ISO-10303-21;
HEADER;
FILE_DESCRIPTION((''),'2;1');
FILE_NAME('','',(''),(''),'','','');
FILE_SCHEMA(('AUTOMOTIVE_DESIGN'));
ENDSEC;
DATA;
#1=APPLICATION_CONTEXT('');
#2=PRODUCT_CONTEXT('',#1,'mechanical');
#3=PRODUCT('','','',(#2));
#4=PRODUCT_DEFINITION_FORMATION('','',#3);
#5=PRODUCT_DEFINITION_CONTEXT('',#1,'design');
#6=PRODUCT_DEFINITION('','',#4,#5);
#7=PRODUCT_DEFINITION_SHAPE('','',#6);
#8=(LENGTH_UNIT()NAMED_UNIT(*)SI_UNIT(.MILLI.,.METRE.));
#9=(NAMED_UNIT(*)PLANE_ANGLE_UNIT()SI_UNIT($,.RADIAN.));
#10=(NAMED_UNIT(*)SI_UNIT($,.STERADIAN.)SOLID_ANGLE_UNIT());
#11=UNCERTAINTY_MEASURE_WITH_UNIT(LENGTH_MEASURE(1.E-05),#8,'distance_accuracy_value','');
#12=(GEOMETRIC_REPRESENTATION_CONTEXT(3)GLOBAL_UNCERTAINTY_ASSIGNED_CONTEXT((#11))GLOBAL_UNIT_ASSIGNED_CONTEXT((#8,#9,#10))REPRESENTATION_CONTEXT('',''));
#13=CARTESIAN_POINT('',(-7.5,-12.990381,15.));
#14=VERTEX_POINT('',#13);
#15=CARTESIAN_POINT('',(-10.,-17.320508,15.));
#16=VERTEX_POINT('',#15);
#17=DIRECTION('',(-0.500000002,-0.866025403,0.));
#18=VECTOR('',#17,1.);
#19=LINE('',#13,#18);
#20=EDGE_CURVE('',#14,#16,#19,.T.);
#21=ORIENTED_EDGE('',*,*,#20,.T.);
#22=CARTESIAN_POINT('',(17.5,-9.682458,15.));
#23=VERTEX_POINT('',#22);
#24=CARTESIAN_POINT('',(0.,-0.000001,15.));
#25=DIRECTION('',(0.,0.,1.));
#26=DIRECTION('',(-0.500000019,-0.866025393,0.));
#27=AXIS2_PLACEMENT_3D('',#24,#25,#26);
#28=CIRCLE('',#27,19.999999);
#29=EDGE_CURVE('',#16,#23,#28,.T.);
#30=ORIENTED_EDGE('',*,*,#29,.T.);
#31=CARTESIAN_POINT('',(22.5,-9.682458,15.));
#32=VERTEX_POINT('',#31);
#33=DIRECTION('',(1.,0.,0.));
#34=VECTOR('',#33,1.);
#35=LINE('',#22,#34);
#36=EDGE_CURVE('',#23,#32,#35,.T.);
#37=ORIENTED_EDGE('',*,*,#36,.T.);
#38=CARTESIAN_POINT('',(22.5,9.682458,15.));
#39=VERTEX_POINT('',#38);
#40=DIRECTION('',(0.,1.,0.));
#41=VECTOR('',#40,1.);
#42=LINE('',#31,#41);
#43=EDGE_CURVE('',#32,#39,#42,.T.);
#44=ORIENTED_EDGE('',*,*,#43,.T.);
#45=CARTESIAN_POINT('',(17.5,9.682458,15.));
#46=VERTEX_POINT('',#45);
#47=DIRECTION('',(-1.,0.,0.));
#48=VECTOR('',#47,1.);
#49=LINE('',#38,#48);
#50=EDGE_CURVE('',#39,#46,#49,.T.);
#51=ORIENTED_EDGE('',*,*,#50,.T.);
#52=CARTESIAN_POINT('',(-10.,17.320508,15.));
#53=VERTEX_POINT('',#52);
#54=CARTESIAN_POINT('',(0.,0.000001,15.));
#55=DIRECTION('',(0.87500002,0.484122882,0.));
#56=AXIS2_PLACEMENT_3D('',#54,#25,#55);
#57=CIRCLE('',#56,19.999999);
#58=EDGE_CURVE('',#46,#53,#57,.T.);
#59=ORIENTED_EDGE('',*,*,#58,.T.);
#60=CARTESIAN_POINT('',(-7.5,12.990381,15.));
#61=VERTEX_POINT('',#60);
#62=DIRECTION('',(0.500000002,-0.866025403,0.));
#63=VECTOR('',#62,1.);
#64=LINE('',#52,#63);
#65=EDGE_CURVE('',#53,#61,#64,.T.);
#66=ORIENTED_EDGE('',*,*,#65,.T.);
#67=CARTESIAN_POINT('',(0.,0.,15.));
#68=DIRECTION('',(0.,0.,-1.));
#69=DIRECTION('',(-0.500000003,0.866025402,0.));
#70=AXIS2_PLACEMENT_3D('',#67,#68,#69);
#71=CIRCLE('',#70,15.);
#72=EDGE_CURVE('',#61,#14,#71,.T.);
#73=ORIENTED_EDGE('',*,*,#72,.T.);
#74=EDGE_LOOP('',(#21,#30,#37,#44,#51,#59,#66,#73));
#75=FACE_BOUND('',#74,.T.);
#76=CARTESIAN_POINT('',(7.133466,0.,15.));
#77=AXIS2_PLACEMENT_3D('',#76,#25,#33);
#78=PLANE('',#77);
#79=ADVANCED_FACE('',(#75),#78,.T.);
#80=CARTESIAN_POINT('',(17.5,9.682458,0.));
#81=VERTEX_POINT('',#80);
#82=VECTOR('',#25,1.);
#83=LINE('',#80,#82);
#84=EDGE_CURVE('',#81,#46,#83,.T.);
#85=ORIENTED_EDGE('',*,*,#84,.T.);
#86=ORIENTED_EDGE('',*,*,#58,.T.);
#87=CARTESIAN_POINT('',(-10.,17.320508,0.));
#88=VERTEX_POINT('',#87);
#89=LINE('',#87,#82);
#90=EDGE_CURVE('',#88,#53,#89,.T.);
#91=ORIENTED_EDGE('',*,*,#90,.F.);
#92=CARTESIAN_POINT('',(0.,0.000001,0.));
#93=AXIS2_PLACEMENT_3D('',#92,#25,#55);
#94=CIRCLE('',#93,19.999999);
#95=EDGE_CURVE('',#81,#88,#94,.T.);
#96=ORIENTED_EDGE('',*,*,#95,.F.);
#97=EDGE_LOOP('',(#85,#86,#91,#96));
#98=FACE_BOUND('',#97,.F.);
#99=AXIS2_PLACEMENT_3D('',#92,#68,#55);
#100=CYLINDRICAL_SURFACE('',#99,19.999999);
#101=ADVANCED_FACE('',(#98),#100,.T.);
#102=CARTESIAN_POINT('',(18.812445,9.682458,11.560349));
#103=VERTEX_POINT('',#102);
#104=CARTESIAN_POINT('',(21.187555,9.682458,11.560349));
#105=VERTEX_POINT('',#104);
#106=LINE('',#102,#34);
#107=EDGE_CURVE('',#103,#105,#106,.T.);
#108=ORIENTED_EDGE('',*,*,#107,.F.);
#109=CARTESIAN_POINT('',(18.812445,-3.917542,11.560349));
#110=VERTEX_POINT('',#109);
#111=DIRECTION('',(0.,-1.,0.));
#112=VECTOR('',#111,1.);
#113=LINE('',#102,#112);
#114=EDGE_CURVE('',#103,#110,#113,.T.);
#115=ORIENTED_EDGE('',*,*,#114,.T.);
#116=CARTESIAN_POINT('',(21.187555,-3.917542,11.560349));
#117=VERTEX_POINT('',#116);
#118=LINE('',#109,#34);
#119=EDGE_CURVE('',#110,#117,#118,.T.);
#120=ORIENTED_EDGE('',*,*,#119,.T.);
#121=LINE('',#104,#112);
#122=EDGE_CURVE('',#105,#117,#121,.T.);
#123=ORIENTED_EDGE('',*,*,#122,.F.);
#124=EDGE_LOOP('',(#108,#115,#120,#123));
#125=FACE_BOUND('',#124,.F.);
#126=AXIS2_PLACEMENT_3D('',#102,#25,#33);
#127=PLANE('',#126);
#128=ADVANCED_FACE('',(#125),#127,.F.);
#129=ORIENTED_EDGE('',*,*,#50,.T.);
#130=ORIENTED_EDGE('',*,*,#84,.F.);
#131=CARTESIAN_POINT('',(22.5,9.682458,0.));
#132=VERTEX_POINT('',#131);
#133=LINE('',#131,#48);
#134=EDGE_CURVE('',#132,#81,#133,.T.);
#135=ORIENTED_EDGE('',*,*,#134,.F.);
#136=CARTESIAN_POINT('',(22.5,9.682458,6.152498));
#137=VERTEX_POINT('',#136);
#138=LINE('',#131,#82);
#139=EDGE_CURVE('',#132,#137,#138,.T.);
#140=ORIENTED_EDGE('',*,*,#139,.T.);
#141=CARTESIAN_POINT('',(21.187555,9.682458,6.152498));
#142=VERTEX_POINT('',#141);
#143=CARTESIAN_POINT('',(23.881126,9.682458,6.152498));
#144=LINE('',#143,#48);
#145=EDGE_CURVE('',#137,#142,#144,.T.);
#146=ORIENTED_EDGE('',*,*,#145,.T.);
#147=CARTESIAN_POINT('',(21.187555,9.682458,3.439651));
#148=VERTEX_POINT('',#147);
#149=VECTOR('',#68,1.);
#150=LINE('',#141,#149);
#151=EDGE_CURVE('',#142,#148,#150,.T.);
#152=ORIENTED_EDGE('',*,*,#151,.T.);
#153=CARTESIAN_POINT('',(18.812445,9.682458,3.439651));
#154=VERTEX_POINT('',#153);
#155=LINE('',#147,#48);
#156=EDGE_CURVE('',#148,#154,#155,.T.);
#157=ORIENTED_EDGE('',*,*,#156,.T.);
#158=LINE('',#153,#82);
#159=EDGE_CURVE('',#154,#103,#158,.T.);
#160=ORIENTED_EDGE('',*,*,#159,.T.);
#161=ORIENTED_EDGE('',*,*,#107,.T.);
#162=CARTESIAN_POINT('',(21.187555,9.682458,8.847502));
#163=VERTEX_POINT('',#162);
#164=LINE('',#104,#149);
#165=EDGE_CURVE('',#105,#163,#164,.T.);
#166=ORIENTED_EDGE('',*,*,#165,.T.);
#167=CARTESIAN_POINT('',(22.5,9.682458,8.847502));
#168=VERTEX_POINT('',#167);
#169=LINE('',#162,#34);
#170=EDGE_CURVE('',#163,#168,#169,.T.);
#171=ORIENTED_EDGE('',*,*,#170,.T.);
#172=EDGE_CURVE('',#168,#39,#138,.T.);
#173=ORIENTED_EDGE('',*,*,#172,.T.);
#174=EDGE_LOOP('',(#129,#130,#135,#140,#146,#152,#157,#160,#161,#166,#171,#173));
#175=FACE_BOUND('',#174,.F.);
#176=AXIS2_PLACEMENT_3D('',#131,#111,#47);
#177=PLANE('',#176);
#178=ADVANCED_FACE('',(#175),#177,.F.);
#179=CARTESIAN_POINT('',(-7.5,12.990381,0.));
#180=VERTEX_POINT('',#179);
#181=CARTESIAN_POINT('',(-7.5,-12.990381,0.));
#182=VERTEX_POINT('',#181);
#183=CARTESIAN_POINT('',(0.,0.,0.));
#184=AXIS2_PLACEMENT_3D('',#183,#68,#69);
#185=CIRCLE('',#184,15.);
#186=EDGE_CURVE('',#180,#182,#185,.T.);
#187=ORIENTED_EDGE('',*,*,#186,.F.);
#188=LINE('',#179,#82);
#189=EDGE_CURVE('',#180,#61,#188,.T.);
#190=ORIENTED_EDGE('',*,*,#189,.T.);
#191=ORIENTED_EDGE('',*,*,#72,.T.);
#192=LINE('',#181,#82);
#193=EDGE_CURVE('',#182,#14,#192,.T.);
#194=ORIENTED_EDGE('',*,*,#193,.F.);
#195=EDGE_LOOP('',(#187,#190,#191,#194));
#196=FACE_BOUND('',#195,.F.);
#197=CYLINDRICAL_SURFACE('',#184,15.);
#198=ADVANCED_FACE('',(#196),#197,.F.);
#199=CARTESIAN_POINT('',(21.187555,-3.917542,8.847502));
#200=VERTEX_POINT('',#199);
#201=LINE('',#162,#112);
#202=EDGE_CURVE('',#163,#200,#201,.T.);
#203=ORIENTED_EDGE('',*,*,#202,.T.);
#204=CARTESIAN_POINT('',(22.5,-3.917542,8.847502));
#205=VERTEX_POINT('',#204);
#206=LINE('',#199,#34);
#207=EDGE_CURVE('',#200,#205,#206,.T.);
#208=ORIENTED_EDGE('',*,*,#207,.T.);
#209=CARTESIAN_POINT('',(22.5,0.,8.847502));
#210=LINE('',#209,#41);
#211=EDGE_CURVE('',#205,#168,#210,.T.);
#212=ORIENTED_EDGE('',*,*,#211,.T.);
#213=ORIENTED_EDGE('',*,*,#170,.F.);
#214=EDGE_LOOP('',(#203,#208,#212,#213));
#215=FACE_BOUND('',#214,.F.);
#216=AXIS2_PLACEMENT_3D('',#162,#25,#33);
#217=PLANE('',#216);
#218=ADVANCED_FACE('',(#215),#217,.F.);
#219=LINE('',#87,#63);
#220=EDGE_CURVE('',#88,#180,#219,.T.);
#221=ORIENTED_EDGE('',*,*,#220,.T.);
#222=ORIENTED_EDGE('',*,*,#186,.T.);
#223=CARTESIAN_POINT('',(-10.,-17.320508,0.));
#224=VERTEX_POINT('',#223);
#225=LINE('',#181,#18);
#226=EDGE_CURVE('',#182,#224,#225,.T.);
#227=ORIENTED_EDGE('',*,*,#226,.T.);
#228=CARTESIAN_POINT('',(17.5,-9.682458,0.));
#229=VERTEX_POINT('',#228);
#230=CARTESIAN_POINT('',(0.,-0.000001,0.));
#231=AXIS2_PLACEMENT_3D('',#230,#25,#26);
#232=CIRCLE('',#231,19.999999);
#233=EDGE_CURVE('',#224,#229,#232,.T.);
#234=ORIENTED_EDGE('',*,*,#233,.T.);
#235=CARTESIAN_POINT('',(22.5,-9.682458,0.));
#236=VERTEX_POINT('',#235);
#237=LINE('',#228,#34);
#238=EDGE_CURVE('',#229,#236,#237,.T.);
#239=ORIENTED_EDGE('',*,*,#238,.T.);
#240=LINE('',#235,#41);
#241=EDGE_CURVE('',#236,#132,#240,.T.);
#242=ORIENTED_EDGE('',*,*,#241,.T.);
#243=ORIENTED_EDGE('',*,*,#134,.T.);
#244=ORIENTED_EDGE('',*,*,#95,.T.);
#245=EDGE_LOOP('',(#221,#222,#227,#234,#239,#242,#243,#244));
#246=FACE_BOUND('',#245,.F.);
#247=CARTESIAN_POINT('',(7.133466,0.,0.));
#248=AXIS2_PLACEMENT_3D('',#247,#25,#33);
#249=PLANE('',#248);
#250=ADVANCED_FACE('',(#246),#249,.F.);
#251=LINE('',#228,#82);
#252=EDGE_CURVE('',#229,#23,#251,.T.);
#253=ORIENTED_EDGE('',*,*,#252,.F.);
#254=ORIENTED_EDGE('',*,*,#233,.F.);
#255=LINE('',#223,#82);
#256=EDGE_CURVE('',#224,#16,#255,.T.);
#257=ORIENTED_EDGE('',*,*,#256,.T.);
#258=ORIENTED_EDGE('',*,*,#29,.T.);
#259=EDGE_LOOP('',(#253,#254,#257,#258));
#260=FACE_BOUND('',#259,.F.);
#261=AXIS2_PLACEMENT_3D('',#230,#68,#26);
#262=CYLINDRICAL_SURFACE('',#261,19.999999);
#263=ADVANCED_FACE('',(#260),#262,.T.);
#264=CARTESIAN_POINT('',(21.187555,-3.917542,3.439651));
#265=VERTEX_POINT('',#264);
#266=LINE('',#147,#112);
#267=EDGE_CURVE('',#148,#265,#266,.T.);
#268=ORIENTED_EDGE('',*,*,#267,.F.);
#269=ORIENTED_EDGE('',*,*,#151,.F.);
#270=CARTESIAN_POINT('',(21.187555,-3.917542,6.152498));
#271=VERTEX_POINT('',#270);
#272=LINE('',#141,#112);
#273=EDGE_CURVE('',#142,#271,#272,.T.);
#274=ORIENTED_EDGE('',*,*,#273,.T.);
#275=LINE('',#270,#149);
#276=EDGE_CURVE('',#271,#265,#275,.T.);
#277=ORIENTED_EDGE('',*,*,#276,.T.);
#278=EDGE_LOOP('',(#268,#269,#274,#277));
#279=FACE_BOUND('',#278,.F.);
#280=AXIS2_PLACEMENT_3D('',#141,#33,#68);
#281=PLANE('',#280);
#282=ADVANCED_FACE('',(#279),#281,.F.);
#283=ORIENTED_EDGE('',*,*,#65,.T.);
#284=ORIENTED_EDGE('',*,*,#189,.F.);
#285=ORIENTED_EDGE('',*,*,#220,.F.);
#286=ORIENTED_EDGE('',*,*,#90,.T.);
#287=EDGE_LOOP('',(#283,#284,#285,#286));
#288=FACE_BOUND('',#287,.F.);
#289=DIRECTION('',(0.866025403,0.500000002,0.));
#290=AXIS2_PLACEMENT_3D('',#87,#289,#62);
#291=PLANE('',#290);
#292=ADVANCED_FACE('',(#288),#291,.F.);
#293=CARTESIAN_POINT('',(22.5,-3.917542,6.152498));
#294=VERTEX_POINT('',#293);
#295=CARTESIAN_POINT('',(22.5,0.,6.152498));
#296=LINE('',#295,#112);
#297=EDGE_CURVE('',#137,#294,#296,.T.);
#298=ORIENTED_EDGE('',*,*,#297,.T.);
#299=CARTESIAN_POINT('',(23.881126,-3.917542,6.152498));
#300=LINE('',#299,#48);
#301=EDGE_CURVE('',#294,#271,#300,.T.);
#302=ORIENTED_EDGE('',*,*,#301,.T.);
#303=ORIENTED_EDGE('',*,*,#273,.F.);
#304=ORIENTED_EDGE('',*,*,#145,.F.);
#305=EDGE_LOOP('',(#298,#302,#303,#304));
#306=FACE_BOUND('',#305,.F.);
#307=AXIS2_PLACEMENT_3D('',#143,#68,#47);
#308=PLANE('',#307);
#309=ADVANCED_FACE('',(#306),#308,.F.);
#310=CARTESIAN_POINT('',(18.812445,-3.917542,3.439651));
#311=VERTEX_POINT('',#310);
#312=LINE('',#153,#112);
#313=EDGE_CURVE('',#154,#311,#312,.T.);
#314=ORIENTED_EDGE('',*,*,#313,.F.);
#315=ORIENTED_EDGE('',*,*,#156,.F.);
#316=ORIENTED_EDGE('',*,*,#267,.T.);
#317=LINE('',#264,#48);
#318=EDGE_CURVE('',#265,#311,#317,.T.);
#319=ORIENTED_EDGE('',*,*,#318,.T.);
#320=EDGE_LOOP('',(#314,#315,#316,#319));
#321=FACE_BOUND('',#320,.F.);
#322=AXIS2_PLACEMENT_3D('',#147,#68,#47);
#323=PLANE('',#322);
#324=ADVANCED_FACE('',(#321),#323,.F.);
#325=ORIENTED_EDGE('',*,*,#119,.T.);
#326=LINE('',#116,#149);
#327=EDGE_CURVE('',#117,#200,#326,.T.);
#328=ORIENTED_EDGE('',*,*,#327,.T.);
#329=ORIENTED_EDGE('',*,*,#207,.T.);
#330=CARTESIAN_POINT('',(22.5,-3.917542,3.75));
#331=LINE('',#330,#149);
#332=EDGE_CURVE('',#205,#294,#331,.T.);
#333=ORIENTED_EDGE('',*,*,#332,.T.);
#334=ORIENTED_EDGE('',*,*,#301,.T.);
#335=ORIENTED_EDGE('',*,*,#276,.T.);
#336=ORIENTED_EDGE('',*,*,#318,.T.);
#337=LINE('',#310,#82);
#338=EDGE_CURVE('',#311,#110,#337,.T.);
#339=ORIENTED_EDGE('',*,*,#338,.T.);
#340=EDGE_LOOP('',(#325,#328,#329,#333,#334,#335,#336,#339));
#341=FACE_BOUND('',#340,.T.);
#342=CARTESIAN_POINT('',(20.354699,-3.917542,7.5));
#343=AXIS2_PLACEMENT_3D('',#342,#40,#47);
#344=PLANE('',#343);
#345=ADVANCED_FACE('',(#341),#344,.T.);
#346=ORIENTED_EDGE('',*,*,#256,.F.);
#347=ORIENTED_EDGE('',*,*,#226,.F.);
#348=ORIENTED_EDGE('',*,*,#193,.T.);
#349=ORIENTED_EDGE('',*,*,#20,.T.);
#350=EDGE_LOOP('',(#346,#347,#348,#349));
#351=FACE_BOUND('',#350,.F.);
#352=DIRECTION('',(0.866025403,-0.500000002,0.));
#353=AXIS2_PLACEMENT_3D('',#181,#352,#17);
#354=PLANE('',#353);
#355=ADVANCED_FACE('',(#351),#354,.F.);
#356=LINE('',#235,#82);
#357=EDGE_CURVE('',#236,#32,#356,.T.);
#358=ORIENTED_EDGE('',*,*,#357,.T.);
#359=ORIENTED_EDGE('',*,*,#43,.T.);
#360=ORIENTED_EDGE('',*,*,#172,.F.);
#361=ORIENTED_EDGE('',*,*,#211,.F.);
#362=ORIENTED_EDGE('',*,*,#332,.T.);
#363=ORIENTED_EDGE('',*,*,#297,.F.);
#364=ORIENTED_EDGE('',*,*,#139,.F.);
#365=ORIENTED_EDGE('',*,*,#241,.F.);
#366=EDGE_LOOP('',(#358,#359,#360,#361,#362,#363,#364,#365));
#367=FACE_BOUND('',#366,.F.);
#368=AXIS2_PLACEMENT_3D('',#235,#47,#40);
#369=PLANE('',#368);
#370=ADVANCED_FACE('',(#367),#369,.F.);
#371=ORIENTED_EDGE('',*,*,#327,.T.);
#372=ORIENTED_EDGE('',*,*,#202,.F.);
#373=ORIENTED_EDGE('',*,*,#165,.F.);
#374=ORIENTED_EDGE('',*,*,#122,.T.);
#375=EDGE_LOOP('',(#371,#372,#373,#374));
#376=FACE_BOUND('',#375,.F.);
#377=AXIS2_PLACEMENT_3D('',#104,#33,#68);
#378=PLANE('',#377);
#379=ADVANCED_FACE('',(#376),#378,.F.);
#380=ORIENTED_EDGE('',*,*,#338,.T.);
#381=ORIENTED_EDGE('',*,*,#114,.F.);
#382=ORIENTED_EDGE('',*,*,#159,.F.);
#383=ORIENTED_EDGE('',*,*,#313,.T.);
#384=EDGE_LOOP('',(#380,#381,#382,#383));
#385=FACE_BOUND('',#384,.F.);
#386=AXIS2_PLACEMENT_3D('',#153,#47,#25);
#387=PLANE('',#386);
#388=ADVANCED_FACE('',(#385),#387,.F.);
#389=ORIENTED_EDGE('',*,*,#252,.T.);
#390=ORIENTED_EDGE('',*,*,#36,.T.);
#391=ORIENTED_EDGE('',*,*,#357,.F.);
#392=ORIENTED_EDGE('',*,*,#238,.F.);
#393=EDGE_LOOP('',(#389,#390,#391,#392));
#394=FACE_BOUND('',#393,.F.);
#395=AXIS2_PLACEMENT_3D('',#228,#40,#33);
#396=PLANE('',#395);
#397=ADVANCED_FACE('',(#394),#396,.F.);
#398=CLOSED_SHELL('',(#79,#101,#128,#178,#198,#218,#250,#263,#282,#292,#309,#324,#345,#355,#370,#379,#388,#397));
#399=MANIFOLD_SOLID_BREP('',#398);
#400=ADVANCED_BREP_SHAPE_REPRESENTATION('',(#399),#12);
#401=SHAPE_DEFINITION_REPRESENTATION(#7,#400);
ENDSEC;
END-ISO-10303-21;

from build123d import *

# Parameters (mm, degrees)
F1_DEPTH = 15
F2_W     = 1.381126
F2_H     = 2.695004
F3_DEPTH = 13.6


with BuildPart() as f1:
    # F0 (on Top) → F1 (new body)
    with BuildSketch(Plane.XY):
        with BuildLine():
            ThreePointArc((-7.5, 12.990381), (15, 0), (-7.5, -12.990381))
            Line((-7.5, -12.990381), (-10, -17.320508))
            ThreePointArc((-10, -17.320508), (5.352331, -19.27051), (17.5, -9.682458))
            Line((17.5, -9.682458), (22.5, -9.682458))
            Line((22.5, -9.682458), (22.5, 9.682458))
            Line((22.5, 9.682458), (17.5, 9.682458))
            ThreePointArc((17.5, 9.682458), (5.352331, 19.27051), (-10, 17.320508))
            Line((-10, 17.320508), (-7.5, 12.990381))
        make_face()
    extrude(amount=F1_DEPTH)

    # F2 (on face) → F3 (cut)
    with BuildSketch(Plane(origin=(0, 9.682458, 0), x_dir=(-1, 0, 0), z_dir=(0, 1, 0))):
        Polygon((-22.5, 6.152498), (-21.187555, 6.152498), (-21.187555, 3.439651), (-18.812445, 3.439651), (-18.812445, 11.560349), (-21.187555, 11.560349), (-21.187555, 8.847502), (-22.5, 8.847502), align=None)
        with Locations((-23.190563, 7.5)):
            Rectangle(F2_W, F2_H)
    extrude(amount=-F3_DEPTH, mode=Mode.SUBTRACT)


solid = f1.part
